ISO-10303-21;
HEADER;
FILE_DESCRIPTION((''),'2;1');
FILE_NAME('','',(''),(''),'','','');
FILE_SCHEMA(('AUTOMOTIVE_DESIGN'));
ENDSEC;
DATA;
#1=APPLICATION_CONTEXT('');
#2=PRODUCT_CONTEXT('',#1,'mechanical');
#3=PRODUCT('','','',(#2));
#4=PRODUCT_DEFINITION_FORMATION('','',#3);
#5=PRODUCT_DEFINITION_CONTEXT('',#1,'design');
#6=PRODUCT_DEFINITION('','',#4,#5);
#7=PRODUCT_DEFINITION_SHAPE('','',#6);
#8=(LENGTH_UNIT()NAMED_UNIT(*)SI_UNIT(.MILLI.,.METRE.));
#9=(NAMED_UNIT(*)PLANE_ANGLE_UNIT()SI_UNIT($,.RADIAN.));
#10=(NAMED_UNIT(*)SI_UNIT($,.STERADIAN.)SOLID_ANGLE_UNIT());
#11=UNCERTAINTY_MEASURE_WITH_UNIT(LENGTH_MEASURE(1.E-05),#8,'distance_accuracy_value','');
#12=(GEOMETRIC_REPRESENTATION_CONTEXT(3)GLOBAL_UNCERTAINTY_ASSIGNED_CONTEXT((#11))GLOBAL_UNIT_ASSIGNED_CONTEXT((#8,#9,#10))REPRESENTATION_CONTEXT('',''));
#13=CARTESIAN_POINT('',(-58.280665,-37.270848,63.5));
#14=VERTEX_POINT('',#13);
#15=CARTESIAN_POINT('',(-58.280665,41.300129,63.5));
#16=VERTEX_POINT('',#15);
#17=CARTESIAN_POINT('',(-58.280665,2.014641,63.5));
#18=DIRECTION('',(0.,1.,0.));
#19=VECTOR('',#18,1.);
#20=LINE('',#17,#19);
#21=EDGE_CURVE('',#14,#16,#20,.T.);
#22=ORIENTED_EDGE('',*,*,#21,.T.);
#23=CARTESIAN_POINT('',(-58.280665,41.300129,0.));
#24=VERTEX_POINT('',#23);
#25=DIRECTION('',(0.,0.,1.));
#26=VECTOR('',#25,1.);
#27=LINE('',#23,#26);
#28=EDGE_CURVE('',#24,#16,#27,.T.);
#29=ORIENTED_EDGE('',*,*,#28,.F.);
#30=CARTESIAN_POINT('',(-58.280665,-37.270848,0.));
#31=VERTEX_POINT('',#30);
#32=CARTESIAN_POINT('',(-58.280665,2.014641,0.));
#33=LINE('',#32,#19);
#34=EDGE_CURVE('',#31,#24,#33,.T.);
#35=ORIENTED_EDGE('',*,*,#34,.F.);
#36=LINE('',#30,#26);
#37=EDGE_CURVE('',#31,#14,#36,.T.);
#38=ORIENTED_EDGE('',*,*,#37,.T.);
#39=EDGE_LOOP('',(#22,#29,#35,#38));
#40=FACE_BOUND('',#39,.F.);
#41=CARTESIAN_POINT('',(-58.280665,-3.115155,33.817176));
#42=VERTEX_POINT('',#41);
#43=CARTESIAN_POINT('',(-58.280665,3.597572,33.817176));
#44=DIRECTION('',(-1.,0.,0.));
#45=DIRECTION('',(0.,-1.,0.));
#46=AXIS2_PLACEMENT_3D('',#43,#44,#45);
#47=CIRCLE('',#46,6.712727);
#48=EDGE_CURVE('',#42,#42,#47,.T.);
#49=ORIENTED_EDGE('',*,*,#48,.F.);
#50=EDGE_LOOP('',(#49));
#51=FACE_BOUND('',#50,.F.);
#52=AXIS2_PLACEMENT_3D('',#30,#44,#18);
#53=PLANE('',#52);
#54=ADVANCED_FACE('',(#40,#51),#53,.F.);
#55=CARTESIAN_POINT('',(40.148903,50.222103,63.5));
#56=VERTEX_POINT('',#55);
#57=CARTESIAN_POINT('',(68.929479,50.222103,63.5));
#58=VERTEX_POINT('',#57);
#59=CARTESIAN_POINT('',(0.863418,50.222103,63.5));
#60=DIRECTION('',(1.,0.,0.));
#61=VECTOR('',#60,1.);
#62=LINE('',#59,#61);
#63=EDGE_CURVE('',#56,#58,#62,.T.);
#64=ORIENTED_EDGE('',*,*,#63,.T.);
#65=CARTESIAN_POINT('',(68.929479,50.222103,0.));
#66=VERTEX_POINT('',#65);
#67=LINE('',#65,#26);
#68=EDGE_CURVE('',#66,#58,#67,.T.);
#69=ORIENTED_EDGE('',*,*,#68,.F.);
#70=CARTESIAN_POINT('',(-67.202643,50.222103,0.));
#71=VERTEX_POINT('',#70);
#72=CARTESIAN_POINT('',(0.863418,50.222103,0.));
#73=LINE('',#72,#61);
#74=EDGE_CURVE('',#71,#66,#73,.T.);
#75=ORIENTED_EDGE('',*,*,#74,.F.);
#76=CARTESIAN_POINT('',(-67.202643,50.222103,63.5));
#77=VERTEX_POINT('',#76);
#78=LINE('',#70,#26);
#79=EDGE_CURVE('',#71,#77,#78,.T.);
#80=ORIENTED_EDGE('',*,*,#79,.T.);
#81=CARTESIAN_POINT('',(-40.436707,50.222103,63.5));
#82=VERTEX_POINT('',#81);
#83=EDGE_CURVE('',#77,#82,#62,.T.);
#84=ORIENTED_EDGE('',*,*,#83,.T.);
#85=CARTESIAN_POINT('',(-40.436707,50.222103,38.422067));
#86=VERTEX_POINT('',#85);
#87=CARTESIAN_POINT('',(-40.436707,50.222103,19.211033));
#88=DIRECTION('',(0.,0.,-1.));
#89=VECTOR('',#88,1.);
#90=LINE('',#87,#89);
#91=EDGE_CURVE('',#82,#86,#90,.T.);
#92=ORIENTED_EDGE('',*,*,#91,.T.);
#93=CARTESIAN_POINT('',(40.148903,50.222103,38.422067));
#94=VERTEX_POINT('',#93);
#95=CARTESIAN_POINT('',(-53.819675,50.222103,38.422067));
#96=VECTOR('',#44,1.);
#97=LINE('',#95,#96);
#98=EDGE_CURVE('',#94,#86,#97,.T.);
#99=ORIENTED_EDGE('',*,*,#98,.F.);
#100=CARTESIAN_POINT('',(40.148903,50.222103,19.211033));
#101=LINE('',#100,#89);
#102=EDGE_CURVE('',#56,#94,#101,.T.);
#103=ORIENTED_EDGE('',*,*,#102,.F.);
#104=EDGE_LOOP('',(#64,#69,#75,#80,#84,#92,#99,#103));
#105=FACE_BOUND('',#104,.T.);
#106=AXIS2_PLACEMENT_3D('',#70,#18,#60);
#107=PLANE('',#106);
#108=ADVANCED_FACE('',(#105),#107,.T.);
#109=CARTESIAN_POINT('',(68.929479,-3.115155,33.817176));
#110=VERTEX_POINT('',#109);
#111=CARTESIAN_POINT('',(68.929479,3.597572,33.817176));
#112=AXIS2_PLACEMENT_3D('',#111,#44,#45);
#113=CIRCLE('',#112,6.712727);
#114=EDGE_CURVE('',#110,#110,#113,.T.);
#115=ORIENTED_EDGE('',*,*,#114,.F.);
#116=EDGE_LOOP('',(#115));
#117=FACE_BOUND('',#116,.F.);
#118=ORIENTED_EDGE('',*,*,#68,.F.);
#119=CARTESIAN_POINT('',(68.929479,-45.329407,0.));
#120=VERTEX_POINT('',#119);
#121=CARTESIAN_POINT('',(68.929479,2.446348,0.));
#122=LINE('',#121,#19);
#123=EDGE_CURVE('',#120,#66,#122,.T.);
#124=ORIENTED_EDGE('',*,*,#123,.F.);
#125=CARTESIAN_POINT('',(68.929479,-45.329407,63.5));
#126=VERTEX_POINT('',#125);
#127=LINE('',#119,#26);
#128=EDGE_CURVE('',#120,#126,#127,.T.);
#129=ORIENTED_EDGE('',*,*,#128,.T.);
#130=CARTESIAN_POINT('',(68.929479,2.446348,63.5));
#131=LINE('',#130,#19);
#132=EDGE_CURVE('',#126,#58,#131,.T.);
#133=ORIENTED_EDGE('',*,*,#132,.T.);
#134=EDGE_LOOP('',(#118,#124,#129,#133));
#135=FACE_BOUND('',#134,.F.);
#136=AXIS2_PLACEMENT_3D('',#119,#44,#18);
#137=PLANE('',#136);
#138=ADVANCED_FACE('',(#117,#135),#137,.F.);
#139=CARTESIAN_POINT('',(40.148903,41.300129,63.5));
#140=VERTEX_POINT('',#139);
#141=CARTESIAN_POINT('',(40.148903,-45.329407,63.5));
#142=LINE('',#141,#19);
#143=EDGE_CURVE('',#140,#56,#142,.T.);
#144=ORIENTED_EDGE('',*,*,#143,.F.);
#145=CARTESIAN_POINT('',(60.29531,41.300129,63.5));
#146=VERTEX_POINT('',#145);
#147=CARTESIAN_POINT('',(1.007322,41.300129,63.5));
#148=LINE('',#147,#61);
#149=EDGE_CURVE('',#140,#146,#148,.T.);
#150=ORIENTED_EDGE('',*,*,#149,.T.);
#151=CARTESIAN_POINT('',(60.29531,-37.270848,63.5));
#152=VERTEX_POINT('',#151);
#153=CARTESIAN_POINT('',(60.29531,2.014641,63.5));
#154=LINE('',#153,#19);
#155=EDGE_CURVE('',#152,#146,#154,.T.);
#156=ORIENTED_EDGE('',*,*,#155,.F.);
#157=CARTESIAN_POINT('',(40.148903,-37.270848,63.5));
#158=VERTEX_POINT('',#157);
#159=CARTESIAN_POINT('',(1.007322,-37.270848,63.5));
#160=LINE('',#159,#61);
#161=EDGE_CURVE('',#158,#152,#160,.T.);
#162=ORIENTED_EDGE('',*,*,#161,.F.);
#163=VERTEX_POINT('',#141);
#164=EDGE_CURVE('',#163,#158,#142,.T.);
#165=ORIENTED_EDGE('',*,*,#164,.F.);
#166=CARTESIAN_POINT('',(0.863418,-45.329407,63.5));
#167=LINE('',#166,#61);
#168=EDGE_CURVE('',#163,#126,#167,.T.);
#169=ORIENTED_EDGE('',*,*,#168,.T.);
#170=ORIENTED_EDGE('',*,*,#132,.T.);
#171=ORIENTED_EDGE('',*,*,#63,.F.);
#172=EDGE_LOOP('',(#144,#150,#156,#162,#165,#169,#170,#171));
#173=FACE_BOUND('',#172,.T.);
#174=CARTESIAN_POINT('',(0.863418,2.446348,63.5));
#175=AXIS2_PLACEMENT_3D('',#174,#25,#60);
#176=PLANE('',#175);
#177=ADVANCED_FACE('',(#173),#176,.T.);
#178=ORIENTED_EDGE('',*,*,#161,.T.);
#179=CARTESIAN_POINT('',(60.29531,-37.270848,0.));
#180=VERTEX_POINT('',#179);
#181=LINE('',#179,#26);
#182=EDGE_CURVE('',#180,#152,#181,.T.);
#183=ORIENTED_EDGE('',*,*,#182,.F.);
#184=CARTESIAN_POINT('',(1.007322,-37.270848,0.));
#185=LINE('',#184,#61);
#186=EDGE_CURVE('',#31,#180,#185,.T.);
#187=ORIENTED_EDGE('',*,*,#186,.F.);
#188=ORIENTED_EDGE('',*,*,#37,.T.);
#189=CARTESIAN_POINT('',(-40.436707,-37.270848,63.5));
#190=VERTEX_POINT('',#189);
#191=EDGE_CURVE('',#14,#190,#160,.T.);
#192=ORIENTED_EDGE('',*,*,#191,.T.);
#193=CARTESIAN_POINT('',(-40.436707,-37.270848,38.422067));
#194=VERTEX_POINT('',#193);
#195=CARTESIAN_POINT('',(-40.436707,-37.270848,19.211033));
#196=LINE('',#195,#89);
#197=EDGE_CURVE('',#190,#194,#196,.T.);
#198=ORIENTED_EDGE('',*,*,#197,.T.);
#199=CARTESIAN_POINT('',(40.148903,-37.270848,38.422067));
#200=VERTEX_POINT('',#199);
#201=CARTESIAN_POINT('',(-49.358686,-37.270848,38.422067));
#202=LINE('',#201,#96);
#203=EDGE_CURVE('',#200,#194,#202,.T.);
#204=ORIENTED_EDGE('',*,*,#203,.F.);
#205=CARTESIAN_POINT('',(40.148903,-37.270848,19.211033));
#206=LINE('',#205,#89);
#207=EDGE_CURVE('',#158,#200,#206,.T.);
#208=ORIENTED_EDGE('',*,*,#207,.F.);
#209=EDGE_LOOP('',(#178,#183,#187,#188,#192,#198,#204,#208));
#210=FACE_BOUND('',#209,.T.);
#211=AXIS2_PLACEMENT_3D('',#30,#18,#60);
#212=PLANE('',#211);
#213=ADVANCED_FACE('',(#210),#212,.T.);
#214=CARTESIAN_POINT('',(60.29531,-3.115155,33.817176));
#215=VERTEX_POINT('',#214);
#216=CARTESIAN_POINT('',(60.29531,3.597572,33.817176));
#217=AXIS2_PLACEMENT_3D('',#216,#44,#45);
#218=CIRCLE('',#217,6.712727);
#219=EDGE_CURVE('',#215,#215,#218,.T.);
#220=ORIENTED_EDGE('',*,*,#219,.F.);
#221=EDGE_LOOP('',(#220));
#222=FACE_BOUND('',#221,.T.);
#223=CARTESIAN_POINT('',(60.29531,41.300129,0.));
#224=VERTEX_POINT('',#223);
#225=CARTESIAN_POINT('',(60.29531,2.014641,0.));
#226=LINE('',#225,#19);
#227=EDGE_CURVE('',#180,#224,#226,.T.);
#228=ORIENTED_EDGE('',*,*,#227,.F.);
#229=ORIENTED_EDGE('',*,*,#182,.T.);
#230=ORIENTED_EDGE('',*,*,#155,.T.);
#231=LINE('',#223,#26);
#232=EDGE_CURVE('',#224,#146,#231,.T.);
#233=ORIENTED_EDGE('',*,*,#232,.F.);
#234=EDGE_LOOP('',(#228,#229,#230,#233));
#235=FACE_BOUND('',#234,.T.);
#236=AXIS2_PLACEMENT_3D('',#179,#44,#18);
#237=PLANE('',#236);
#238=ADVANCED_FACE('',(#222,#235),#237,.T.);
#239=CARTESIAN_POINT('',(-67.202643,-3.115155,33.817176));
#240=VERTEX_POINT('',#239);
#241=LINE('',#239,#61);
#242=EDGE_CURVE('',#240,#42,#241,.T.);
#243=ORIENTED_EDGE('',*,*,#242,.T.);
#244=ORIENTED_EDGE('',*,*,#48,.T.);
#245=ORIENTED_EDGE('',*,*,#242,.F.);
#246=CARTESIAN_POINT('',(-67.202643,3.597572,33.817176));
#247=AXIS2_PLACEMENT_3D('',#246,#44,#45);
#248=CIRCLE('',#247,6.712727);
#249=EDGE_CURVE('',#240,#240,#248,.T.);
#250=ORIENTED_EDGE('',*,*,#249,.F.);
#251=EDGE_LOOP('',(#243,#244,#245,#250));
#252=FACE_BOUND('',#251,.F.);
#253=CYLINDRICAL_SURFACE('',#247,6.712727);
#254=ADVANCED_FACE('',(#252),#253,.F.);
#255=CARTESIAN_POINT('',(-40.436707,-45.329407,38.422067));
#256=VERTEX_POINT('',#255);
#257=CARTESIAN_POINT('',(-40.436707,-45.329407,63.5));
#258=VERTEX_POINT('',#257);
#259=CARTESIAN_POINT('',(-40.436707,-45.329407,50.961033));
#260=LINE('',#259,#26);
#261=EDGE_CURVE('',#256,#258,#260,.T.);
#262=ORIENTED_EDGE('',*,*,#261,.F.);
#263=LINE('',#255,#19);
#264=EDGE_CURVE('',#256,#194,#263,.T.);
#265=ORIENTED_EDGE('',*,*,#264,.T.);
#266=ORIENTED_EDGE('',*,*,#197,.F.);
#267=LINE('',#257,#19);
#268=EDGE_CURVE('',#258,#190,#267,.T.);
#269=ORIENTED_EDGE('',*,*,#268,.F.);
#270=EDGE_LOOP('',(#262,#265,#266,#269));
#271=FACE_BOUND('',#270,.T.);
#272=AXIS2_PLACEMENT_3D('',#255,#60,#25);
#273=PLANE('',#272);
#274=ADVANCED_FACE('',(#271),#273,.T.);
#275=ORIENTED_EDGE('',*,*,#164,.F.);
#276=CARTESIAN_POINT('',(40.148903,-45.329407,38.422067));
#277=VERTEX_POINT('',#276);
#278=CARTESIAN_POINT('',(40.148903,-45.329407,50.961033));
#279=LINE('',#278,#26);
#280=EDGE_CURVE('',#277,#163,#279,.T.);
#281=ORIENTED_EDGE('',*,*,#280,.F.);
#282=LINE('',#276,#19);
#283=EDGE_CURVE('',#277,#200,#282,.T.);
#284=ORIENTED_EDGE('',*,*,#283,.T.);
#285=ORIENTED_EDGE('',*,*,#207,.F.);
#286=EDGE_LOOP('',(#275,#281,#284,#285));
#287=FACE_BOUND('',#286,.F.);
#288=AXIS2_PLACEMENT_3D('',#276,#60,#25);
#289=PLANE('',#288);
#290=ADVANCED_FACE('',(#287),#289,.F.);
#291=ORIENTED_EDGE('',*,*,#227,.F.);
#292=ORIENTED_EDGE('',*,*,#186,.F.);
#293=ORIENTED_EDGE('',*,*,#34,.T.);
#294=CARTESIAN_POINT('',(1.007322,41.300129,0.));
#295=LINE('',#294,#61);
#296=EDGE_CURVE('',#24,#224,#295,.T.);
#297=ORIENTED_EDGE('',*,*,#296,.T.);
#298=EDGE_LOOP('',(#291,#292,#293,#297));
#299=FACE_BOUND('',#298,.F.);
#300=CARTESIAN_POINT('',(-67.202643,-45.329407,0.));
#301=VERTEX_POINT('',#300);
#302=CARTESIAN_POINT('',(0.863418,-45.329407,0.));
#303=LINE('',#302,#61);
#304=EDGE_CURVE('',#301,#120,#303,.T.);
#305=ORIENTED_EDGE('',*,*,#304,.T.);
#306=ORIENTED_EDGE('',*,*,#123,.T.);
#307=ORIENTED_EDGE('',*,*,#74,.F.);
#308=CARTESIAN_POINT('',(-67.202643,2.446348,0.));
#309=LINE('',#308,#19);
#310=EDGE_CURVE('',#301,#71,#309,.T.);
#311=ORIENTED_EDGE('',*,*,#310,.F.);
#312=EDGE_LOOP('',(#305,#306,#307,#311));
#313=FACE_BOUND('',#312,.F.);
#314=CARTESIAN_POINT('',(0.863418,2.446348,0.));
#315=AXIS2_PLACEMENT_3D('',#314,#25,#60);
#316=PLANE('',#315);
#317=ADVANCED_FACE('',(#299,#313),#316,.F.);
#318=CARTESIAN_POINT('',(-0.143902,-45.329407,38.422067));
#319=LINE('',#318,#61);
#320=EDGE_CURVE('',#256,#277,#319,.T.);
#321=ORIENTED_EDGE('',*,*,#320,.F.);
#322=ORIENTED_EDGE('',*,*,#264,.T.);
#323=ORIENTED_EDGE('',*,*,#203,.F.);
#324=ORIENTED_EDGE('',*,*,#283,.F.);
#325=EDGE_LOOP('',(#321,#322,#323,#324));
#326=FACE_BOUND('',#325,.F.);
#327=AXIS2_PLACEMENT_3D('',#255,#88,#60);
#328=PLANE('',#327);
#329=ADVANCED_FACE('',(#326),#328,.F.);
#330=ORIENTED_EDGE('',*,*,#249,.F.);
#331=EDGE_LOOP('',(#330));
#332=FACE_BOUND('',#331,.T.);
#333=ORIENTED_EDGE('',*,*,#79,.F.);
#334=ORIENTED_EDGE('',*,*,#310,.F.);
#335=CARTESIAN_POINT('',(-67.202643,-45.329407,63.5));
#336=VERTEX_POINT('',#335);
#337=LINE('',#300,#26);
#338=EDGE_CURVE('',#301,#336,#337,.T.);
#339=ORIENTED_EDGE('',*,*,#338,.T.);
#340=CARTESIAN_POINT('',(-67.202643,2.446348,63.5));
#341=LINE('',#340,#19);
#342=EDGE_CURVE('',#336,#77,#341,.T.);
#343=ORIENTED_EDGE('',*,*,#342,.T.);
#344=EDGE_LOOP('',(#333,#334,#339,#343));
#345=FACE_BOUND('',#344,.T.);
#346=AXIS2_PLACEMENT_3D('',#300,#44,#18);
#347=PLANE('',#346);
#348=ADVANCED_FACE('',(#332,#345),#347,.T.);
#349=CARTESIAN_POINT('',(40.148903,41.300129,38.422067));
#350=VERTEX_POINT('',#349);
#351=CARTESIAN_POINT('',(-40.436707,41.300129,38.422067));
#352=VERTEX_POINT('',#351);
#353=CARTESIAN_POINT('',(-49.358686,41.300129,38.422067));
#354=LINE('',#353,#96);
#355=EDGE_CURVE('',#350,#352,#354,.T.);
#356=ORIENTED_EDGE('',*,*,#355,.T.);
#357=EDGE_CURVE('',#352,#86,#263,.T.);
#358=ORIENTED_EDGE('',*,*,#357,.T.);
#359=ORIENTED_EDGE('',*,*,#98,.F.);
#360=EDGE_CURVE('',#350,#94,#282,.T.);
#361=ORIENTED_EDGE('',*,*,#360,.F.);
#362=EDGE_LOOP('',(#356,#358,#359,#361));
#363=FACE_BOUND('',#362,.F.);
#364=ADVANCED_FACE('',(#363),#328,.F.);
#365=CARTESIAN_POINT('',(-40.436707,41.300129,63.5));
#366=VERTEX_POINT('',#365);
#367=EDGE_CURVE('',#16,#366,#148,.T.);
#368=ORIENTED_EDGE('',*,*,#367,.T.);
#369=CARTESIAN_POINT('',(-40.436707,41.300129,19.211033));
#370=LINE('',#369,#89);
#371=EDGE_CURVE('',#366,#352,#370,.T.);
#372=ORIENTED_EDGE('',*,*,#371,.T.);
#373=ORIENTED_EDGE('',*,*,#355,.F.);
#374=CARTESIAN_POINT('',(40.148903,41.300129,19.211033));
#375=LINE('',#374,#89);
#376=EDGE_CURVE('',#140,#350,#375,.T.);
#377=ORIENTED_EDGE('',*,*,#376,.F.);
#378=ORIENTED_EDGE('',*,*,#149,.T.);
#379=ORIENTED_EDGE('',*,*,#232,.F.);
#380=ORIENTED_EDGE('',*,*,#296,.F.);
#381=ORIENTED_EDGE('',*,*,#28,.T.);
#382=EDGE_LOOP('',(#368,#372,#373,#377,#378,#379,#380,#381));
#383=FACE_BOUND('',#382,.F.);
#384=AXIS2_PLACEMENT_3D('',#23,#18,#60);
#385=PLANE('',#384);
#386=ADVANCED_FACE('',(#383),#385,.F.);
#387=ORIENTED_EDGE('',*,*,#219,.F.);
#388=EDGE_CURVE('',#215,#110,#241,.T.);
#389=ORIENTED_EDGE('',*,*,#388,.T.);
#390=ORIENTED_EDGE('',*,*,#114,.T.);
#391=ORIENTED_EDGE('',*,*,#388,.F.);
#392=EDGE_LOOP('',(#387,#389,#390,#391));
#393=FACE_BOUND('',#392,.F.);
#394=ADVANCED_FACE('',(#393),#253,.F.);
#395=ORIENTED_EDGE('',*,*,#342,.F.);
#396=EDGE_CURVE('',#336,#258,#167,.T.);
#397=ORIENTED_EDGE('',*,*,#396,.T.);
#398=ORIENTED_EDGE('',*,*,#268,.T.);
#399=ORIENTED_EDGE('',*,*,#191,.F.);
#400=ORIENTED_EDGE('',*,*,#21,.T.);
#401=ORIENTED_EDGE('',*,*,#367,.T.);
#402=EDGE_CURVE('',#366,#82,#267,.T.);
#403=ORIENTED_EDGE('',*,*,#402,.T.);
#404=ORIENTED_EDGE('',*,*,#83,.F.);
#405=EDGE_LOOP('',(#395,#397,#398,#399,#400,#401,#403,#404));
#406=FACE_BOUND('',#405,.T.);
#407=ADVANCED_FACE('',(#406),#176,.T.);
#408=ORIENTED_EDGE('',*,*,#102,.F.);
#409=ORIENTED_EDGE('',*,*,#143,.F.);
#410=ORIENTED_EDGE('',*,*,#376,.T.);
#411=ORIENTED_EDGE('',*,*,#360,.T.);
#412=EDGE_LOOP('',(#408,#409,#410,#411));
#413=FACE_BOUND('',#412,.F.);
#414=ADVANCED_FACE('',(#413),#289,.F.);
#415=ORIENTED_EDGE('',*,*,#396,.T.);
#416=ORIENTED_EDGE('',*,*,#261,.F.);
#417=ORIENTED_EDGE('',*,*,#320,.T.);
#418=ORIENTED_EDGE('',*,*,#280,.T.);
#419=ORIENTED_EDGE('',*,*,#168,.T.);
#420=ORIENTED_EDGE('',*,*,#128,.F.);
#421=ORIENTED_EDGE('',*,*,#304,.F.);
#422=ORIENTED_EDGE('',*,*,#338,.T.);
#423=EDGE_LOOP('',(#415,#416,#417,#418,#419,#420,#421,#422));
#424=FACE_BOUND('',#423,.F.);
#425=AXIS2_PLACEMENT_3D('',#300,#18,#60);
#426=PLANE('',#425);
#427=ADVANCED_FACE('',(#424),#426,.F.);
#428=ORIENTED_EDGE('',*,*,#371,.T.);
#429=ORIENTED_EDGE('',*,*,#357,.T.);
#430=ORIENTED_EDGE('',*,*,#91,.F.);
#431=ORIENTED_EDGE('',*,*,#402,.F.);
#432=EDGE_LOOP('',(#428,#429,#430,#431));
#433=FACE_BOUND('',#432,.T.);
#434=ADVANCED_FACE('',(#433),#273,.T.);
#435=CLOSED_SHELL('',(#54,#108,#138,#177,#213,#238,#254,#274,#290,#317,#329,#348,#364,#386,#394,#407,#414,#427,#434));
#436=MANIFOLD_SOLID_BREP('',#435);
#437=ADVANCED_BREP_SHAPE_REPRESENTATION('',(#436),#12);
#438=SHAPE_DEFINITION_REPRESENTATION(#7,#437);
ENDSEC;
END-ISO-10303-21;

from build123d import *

# Parameters (mm, degrees)
F0_W     = 136.1321210861
F0_H     = 95.5515094101
F0_W_2   = 118.5759752989
F0_H_2   = 78.5709768534
F1_DEPTH = 63.5
F2_W     = 80.5856101215
F2_H     = 25.0779332817
F3_DEPTH = 141.986
F4_R     = 6.7127269872
F5_DEPTH = 186.69


with BuildPart() as f1:
    # F0 (on Top) → F1 (new body)
    with BuildSketch(Plane.XY):
        with Locations((0.8634179831, 2.4463478476)):
            Rectangle(F0_W, F0_H)
        with Locations((1.007322222, 2.0146407187)):
            Rectangle(F0_W_2, F0_H_2, mode=Mode.SUBTRACT)
    extrude(amount=F1_DEPTH)

    # F2 (on face) → F3 (cut)
    with BuildSketch(Plane.XZ.offset(45.3294068575)):
        with Locations((-0.1439023763, 50.9610333592)):
            Rectangle(F2_W, F2_H)
    extrude(amount=-F3_DEPTH, mode=Mode.SUBTRACT)

    # F4 (on face) → F5 (cut)
    with BuildSketch(Plane(origin=(-67.20264256, 0, 0), x_dir=(0, -1, 0), z_dir=(-1, 0, 0))):
        with Locations((-3.597572213, 33.8171757758)):
            Circle(F4_R)
    extrude(amount=-F5_DEPTH, mode=Mode.SUBTRACT)


solid = f1.part
